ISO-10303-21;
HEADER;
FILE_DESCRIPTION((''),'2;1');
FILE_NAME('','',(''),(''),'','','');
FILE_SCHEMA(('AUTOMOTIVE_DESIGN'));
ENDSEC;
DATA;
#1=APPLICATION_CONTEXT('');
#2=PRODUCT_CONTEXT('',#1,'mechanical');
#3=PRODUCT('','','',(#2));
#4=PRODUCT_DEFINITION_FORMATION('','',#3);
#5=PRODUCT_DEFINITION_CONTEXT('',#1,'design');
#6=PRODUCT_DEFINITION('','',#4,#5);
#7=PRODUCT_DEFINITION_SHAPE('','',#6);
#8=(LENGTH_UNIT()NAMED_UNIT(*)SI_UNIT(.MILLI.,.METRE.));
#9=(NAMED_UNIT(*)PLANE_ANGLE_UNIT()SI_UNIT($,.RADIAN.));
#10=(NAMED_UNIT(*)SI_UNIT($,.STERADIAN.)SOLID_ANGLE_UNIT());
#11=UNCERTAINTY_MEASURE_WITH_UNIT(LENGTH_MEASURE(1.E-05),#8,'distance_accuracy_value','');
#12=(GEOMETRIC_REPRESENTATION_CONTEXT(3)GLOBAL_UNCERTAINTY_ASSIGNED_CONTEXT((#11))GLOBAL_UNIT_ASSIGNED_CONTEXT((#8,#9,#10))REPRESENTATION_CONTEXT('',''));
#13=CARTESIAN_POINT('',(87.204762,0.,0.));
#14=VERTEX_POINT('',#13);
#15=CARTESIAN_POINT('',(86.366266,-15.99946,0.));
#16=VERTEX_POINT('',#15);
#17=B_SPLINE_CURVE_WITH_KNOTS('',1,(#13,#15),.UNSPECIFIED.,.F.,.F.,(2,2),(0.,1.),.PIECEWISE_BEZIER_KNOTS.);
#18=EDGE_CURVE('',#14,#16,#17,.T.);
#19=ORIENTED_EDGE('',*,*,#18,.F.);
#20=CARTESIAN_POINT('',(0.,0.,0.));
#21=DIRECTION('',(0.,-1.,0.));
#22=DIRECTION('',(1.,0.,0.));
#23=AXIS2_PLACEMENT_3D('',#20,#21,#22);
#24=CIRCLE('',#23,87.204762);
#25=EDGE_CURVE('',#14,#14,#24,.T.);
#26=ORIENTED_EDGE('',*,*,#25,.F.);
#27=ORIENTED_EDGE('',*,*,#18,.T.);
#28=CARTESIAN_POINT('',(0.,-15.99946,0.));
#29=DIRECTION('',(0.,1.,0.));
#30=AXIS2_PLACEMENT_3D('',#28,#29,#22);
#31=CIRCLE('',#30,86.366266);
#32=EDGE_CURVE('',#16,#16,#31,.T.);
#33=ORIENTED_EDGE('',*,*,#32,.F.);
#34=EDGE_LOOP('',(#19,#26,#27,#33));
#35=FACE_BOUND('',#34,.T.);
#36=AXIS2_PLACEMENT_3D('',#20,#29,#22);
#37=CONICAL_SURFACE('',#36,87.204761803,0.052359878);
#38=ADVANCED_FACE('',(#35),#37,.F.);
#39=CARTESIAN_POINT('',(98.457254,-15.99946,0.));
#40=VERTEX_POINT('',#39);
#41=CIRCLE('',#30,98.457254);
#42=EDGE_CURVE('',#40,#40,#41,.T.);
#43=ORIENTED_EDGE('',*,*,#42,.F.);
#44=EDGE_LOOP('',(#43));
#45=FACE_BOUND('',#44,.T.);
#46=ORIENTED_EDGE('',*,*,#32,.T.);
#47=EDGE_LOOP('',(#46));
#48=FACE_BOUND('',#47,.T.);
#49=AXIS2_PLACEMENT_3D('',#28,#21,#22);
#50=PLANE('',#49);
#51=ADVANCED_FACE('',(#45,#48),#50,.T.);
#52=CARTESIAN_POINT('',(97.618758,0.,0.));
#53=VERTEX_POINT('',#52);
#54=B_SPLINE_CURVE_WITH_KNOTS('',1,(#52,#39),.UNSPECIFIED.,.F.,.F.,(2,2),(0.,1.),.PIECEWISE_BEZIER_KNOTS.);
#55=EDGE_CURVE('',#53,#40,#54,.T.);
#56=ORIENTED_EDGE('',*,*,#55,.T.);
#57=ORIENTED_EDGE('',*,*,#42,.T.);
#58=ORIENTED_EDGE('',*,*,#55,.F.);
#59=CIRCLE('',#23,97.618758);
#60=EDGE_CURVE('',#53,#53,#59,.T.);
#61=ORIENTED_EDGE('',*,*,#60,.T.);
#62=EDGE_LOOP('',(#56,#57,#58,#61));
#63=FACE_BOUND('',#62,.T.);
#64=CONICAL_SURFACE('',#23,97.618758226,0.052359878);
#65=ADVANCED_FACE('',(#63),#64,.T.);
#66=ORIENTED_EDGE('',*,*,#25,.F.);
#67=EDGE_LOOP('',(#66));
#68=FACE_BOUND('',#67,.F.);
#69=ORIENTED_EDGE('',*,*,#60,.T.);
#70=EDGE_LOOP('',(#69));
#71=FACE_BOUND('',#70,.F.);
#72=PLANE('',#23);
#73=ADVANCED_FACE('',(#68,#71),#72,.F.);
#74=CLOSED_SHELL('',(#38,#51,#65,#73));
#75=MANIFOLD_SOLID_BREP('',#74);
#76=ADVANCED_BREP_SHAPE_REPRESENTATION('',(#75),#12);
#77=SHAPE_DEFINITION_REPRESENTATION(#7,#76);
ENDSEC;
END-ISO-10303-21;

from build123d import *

# Parameters (mm, degrees)
F0_R     = 97.6187582264
F0_R_2   = 87.2047618032
F1_DEPTH = 15.99946
F1_TAPER = -3


with BuildPart() as f1:
    # F0 (on Front) → F1 (new body)
    with BuildSketch(Plane.XZ):
        Circle(F0_R)
        Circle(F0_R_2, mode=Mode.SUBTRACT)
    extrude(amount=F1_DEPTH, taper=F1_TAPER)


solid = f1.part
